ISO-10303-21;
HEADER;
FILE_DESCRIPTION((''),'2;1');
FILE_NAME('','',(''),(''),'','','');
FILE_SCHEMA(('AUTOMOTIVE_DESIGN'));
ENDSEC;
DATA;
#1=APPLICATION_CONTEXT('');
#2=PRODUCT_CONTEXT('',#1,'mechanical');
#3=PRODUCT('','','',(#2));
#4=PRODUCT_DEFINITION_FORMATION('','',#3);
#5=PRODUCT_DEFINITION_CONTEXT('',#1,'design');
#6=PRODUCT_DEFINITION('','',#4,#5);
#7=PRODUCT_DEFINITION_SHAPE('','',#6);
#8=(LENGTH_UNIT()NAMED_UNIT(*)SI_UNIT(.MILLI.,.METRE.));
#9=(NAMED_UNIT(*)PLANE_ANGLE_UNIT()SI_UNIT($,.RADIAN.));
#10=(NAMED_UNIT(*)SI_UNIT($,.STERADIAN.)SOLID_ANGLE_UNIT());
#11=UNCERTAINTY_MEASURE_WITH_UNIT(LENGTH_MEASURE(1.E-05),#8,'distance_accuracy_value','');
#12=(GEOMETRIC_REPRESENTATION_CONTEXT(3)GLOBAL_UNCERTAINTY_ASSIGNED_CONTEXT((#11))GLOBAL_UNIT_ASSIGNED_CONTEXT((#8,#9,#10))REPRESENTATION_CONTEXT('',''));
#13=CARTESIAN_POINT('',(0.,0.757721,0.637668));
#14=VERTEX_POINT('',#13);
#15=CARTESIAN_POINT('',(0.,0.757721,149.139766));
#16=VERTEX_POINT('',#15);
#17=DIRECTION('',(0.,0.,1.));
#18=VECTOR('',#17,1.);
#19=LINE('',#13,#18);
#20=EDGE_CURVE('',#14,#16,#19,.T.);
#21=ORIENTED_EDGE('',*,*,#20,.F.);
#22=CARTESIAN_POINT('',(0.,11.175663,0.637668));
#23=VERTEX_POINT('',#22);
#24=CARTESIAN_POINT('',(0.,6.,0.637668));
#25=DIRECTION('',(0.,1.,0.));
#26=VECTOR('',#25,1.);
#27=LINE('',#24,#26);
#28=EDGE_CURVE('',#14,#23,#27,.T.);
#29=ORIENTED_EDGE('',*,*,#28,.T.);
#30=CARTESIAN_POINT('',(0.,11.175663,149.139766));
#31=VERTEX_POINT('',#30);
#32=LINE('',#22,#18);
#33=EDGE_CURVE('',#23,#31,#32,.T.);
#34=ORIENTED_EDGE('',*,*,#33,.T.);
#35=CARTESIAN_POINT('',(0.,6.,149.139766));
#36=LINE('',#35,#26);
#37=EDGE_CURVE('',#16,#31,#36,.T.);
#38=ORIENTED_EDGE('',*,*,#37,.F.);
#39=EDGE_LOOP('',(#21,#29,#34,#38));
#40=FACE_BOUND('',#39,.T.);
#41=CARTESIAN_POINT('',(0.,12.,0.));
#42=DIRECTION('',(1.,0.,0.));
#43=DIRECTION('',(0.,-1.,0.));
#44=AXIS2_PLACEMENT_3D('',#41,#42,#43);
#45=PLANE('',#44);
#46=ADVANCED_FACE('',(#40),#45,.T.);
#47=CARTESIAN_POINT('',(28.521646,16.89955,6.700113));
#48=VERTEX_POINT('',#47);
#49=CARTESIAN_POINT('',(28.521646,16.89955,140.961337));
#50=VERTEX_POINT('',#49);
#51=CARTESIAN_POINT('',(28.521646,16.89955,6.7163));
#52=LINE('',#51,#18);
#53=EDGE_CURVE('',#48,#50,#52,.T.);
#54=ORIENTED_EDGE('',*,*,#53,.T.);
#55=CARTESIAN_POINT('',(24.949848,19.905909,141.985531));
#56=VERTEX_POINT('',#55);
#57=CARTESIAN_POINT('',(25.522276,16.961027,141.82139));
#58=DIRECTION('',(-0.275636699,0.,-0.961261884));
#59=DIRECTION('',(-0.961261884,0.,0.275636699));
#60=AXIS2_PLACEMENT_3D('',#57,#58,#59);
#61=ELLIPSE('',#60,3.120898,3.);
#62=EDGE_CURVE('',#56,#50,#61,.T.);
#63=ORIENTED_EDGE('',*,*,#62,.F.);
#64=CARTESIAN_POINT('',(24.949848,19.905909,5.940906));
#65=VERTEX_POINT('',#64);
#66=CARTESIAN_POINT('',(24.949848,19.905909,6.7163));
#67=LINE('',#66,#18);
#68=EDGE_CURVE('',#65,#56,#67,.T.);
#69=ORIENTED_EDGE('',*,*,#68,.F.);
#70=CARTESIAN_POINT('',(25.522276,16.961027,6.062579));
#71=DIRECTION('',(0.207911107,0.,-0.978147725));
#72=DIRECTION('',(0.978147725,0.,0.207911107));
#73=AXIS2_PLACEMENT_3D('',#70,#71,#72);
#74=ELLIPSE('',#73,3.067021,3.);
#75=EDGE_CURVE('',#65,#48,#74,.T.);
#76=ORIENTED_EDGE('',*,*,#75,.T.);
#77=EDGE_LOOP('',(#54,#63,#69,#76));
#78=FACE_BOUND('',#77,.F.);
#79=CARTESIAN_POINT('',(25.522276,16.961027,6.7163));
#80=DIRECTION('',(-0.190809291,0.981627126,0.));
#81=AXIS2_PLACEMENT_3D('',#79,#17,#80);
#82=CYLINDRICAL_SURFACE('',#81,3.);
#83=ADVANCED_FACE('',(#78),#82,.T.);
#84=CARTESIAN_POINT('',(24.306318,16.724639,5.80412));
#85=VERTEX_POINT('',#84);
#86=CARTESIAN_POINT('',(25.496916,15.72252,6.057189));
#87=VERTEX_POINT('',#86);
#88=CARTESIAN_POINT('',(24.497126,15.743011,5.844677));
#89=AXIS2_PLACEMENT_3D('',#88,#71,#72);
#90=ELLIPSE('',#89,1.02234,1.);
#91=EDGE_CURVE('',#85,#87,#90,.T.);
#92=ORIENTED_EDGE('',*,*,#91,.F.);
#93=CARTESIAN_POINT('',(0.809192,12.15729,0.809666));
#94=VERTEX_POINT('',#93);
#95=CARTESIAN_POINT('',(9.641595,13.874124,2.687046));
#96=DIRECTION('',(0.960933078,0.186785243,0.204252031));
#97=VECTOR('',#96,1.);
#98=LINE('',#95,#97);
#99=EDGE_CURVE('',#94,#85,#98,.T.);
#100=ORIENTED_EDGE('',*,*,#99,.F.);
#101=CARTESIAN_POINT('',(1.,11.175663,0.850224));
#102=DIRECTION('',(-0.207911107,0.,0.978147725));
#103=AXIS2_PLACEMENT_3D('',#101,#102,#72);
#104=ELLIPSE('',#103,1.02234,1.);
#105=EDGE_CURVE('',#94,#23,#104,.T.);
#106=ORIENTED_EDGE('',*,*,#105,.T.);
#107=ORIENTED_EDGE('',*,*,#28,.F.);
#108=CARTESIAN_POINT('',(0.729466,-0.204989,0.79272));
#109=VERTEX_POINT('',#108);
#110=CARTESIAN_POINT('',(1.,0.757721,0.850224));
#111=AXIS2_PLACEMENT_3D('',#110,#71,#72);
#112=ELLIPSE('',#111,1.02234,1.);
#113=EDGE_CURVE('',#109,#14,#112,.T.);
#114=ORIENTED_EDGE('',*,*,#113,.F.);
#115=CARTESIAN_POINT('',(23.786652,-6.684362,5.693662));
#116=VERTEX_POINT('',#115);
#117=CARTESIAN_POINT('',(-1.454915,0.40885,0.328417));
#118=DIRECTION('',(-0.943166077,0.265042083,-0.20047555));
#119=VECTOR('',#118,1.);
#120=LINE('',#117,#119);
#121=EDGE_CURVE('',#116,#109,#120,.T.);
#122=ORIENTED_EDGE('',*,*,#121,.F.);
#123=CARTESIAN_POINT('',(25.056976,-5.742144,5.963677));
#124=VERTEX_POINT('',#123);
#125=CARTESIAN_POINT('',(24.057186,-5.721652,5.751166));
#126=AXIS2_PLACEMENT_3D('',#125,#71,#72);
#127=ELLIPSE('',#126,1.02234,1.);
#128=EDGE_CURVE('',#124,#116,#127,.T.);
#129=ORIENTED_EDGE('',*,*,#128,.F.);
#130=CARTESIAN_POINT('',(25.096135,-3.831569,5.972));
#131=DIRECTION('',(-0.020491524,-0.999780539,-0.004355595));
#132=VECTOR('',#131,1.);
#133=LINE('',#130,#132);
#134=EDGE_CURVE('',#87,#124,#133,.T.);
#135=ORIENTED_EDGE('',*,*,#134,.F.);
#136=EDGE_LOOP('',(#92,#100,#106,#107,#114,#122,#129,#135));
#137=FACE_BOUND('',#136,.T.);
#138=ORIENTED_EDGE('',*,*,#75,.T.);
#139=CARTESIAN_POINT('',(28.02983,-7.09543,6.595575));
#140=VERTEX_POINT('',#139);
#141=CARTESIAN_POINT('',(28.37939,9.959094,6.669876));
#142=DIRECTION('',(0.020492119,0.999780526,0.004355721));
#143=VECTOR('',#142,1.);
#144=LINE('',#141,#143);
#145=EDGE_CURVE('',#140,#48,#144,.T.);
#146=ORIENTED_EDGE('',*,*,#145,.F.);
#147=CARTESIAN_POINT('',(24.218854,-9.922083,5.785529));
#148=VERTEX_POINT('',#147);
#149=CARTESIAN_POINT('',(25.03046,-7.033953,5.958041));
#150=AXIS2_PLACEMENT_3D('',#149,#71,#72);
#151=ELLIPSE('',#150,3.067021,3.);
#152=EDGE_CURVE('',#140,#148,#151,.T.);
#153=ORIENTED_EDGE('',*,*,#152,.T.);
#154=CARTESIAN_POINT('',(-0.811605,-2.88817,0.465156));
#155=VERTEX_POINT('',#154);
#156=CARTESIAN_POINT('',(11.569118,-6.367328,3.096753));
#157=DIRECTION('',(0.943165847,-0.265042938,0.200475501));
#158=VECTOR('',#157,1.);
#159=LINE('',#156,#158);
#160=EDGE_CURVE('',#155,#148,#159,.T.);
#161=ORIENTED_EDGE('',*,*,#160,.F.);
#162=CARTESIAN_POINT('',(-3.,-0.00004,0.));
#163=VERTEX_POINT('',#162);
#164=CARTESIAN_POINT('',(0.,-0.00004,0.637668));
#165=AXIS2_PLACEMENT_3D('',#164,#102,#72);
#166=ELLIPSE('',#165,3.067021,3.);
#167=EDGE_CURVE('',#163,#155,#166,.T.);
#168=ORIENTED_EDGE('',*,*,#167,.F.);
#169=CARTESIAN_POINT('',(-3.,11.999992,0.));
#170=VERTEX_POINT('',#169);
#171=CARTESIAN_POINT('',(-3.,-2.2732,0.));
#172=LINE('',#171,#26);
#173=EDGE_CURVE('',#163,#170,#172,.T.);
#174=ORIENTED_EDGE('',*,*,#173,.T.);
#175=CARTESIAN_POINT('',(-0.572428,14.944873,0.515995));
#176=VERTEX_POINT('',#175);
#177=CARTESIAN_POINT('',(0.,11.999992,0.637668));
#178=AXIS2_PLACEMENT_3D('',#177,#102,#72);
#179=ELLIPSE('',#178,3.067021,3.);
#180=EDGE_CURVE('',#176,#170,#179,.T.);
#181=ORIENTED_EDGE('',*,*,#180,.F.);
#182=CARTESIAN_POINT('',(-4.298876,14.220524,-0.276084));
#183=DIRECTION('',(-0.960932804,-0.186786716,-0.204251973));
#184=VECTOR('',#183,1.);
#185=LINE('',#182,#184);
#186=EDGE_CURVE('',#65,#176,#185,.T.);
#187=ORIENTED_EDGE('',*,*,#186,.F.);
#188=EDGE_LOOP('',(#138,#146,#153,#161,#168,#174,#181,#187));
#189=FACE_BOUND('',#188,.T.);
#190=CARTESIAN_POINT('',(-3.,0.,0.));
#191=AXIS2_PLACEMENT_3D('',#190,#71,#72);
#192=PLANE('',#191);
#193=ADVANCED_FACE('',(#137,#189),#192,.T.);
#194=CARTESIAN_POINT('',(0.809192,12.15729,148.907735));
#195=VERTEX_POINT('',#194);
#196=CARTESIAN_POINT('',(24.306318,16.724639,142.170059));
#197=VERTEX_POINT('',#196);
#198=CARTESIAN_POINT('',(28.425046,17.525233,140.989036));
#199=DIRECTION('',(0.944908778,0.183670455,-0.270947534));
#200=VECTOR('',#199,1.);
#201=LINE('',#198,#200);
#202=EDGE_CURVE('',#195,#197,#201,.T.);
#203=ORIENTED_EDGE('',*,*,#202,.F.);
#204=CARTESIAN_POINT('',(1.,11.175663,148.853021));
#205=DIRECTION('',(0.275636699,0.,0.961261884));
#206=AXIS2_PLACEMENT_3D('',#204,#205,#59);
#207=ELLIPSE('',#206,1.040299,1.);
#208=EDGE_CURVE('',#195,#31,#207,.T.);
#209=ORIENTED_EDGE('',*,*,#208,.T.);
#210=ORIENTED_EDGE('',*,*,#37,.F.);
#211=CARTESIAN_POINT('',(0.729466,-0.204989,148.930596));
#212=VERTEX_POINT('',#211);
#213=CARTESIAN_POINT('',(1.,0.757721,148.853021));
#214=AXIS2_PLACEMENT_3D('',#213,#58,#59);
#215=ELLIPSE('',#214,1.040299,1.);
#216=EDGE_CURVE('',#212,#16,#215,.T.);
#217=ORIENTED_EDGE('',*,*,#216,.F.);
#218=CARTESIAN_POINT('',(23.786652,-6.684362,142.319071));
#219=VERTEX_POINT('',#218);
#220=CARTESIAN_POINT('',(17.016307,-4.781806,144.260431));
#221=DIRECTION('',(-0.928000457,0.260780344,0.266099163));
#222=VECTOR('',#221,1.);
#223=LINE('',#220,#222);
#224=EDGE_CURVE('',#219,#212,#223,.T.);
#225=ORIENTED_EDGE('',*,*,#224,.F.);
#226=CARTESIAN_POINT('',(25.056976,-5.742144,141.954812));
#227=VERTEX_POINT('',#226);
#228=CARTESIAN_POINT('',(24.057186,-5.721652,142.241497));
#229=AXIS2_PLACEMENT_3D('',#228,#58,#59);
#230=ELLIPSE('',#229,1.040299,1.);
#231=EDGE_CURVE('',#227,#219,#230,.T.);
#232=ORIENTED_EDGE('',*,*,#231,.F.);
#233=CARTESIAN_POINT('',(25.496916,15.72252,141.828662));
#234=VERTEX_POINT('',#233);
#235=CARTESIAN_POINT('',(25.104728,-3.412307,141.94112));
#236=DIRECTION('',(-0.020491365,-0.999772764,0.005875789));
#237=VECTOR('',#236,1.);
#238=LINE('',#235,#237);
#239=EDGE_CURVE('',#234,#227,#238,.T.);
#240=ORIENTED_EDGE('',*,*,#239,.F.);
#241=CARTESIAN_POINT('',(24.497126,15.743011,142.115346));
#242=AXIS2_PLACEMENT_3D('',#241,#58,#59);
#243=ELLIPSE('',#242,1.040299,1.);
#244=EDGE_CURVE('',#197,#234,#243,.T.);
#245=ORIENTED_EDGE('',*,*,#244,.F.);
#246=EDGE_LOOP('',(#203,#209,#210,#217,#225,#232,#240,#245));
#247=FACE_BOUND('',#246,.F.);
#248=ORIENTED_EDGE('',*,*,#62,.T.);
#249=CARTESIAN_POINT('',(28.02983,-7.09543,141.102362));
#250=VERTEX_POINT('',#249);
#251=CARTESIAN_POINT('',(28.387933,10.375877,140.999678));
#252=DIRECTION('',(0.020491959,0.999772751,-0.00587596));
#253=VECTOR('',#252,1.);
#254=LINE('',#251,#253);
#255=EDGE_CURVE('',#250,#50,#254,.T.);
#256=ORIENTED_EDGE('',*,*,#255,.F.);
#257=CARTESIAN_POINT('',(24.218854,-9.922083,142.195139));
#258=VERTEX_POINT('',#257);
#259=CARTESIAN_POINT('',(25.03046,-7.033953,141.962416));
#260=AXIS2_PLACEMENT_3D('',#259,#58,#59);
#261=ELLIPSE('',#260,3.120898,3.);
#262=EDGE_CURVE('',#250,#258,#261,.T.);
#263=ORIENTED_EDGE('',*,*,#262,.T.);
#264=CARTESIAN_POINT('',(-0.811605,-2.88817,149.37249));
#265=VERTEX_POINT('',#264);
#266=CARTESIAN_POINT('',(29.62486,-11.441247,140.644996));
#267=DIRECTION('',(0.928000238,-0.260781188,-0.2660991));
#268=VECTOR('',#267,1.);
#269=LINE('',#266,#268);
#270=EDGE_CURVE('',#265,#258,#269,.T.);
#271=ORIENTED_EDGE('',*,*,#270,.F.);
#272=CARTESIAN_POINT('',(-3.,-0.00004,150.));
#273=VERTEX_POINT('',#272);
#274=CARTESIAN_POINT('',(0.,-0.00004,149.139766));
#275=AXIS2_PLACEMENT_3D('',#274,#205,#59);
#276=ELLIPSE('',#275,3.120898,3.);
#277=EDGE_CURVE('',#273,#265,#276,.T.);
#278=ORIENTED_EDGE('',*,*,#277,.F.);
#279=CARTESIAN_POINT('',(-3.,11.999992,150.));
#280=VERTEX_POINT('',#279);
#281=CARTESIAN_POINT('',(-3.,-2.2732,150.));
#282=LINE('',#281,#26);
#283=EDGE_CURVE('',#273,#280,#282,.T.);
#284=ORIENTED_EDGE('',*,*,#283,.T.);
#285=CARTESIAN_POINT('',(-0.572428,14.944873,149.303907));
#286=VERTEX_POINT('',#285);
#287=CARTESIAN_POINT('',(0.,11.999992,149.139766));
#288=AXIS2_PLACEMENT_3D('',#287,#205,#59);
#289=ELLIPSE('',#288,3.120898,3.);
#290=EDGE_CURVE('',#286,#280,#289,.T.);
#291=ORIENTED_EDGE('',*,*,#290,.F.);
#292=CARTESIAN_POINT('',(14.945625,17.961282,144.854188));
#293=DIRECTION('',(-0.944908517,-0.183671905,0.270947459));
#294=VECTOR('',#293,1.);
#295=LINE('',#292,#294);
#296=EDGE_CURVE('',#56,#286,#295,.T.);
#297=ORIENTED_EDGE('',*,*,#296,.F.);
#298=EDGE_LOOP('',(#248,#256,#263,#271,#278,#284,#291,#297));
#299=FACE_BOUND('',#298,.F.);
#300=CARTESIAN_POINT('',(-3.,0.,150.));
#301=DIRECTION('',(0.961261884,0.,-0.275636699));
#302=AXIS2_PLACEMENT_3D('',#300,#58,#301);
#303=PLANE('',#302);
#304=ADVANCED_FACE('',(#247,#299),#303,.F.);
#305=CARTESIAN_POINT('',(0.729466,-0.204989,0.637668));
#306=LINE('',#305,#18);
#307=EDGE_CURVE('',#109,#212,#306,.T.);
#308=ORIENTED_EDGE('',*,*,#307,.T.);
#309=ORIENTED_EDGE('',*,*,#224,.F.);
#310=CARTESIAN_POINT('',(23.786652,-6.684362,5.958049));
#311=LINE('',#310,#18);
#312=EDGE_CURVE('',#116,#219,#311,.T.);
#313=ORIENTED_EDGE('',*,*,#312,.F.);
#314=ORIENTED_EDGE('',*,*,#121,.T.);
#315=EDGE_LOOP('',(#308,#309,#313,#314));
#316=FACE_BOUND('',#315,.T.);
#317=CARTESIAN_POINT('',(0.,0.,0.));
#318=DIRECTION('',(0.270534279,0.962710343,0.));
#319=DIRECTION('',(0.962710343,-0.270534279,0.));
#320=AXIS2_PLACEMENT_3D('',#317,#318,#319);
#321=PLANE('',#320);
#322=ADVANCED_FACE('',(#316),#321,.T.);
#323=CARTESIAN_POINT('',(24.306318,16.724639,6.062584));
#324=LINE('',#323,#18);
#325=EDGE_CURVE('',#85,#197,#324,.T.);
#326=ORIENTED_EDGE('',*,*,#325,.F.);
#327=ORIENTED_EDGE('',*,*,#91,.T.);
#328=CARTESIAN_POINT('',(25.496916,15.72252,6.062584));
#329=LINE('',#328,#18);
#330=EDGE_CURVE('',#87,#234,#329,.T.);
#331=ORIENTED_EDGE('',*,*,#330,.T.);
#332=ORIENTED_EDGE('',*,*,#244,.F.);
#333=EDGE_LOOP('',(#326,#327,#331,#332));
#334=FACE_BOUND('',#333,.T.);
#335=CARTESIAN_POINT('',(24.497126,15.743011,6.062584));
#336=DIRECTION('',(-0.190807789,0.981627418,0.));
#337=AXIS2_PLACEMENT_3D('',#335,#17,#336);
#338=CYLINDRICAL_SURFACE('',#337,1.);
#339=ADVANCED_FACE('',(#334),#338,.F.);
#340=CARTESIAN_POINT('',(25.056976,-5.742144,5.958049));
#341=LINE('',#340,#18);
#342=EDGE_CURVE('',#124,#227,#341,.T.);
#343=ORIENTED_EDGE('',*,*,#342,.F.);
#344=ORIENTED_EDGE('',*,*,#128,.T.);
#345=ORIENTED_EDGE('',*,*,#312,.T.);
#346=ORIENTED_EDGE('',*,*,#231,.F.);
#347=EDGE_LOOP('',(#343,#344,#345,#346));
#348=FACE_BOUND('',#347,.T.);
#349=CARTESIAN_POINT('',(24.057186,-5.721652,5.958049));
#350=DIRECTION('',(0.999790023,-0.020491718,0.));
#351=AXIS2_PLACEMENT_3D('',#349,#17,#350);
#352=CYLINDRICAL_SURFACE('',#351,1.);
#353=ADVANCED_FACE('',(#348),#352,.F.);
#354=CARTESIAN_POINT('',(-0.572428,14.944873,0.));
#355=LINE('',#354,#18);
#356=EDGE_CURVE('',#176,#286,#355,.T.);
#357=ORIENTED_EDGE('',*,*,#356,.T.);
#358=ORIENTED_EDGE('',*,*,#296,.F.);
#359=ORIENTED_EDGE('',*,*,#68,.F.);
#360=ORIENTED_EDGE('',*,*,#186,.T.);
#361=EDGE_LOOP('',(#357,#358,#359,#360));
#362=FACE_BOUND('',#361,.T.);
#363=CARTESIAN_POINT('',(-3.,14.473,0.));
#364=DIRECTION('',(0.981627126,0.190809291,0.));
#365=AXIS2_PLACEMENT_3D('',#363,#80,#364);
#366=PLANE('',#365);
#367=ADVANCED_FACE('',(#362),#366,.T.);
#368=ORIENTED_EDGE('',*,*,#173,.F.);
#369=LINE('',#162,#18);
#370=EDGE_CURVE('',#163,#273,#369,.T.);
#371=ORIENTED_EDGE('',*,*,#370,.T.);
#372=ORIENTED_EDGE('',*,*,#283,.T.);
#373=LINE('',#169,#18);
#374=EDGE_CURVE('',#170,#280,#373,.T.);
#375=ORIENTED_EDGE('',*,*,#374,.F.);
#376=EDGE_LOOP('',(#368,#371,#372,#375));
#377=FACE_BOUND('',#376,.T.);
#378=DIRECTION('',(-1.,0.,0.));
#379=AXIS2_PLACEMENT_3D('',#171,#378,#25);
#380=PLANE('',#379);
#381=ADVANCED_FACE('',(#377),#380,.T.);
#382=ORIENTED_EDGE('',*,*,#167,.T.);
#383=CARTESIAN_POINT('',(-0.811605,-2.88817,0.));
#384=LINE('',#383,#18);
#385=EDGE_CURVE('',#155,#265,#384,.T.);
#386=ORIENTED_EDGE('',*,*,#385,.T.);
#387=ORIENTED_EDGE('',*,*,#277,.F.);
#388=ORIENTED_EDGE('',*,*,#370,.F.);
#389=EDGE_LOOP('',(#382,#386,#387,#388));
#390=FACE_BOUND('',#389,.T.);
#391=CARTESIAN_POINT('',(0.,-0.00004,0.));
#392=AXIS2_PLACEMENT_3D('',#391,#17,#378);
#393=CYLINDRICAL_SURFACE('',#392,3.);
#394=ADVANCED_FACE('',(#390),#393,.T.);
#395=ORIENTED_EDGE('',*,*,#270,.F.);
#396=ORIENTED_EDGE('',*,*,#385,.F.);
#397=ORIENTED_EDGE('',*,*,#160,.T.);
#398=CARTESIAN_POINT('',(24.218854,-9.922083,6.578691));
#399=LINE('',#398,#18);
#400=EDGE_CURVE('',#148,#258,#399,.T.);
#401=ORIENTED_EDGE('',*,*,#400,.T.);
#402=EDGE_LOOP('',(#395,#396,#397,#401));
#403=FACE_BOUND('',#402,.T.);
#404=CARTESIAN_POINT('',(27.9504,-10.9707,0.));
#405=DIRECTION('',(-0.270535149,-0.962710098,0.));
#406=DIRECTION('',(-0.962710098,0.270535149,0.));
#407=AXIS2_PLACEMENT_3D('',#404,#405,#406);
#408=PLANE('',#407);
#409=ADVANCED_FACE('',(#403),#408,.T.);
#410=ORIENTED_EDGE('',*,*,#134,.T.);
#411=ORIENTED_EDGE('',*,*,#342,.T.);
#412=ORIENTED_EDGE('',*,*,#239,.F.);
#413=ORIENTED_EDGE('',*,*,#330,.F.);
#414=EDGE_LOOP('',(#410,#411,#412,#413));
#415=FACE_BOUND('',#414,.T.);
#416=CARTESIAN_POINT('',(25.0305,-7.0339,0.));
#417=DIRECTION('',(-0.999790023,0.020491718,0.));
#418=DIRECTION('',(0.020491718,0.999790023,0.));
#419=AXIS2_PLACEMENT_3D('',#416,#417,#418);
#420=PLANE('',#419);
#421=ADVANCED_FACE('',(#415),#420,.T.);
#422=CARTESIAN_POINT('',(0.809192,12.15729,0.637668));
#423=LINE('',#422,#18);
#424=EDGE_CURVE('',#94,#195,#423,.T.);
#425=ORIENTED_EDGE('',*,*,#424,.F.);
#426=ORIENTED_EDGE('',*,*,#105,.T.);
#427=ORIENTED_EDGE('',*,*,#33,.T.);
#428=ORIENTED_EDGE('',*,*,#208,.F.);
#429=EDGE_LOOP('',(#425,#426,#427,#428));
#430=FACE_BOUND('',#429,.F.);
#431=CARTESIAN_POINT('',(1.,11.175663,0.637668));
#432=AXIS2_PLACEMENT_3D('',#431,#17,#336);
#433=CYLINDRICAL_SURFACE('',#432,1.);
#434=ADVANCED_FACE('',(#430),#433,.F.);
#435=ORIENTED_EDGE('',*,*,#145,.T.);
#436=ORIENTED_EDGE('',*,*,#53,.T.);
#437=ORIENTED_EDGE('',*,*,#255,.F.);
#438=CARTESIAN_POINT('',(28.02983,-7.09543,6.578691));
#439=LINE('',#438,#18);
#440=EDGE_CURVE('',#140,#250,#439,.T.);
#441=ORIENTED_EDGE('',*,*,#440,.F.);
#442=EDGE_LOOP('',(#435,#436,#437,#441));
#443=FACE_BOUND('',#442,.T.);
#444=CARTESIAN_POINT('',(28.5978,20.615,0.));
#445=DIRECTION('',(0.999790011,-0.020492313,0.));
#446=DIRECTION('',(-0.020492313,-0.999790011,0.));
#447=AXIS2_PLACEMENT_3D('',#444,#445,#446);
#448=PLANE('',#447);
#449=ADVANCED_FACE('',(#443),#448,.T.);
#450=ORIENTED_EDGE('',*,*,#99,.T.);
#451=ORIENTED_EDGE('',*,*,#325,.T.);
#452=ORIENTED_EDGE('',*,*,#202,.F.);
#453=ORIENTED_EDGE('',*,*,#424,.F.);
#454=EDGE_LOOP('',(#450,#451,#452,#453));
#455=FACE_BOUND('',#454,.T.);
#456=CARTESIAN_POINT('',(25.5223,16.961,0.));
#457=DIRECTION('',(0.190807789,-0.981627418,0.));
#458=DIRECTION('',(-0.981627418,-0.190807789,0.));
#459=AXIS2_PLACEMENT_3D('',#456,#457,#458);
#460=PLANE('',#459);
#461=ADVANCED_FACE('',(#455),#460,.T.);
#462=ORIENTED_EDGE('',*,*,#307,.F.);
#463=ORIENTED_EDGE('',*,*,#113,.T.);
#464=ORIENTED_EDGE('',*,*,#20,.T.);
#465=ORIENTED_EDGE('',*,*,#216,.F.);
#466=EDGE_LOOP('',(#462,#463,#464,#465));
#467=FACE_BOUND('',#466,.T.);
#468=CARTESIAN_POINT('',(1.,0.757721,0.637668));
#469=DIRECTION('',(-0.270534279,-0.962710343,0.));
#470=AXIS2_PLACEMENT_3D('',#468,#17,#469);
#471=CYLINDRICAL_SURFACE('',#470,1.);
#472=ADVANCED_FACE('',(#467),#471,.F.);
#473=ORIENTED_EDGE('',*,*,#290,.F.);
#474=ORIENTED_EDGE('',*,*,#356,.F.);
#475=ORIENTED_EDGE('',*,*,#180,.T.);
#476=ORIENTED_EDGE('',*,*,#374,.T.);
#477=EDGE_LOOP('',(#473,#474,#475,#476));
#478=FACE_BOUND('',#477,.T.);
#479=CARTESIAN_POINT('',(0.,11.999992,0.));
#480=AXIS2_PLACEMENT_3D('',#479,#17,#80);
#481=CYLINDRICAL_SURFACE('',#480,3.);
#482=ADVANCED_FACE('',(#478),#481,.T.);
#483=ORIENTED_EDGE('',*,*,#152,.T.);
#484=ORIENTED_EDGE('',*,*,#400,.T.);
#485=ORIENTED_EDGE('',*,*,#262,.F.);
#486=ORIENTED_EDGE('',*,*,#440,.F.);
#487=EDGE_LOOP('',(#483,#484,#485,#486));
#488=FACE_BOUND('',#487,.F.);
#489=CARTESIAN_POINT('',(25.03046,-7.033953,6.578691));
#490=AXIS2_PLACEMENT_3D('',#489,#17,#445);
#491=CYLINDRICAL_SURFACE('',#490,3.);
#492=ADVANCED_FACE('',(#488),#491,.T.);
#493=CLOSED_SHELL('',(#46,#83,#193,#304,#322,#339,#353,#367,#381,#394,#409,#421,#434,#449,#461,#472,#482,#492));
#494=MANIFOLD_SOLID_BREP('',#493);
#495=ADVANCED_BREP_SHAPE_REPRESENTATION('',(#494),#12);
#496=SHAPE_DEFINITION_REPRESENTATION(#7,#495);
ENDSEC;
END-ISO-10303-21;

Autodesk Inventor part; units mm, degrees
ref_plane "YZ Plane" through (0, 0, 0) normal (1, 0, 0) x (0, 1, 0)
ref_plane "XZ Plane" through (0, 0, 0) normal (0, 1, 0) x (-1, 0, 0)
ref_plane "XY Plane" through (0, 0, 0) normal (0, 0, 1) x (1, 0, 0)
sketch "Skizze1" plane through (0, 0, 0) normal (0, 0, 1) x (1, 0, 0)
  line L0 (25.5223, 16.961) -> (0, 12)
  line L1 (0, 12) -> (0, 0)
  line L2 (0, 0) -> (25.0305, -7.0339)
  line L3 (25.0305, -7.0339) -> (25.5223, 16.961)
  line L4 (-3, 14.473) -> (28.5978, 20.615)
  line L5 (28.5978, 20.615) -> (27.9504, -10.9707)
  line L6 (27.9504, -10.9707) -> (-3, -2.2732)
  line L7 (-3, -2.2732) -> (-3, 14.473)
  dimension "d0" = 26
  dimension "d1" = 12
  dimension "d3" = 26
  dimension "d4" = 24
  dimension "d7" = 101
  dimension "d8" = 77.826
  dimension "d9" = 3
  dimension "d10" = 3
  dimension "d11" = 3
  dimension "d12" = 3
extrude "Extrusion1" add sketch "Skizze1" along normal blind 150
sketch "Skizze3" plane through (0, 0, 0) normal (0, 1, 0) x (-1, 0, 0)
  line L0 (3, 0) -> (3, 150) construction
  line L1 (-27.9504, 0) -> (-28.5978, 0) construction
  line L2 (-28.5978, 0) -> (-28.5978, 150) construction
  line L3 (-27.9504, 150) -> (-28.5978, 150) construction
  line L4 (-27.9504, 0) -> (-27.9504, 150) construction
  line L5 (3, 0) -> (-28.5978, 6.7163)
  line L6 (-28.5978, 6.7163) -> (-28.5978, 0)
  line L7 (3, 150) -> (-28.5978, 140.9395)
  line L8 (-28.5978, 150) -> (-28.5978, 140.9395)
  line L9 (3, 150) -> (-27.9504, 150) projected
  line L10 (-28.5978, 150) -> (3, 150)
  line L11 (-27.9504, 0) -> (-28.5978, 0) projected
  line L12 (-28.5978, 0) -> (3, 0)
  point P0 (0, 0)
  dimension "d19" = 78
  dimension "d20" = 74
  dimension "d25" = 150
extrude "Extrusion2" cut sketch "Skizze3" along normal mid plane 149
fillet "Rundung1" radius 3 4 edges at (-3, -2.2732, 75) (27.9504, -10.9707, 73.8519) (-3, 14.473, 75) (28.5978, 20.615, 73.8279)
fillet "Rundung1" radius 1 4 edges at (25.5223, 16.961, 73.942) (25.0305, -7.0339, 73.9602) (0, 0, 74.8887) (0, 12, 74.8887)
equation "\"d10\" = d9"
equation "\"d11\" = d9"
equation "\"d12\" = d9"
properties part number "handle_body_final"
